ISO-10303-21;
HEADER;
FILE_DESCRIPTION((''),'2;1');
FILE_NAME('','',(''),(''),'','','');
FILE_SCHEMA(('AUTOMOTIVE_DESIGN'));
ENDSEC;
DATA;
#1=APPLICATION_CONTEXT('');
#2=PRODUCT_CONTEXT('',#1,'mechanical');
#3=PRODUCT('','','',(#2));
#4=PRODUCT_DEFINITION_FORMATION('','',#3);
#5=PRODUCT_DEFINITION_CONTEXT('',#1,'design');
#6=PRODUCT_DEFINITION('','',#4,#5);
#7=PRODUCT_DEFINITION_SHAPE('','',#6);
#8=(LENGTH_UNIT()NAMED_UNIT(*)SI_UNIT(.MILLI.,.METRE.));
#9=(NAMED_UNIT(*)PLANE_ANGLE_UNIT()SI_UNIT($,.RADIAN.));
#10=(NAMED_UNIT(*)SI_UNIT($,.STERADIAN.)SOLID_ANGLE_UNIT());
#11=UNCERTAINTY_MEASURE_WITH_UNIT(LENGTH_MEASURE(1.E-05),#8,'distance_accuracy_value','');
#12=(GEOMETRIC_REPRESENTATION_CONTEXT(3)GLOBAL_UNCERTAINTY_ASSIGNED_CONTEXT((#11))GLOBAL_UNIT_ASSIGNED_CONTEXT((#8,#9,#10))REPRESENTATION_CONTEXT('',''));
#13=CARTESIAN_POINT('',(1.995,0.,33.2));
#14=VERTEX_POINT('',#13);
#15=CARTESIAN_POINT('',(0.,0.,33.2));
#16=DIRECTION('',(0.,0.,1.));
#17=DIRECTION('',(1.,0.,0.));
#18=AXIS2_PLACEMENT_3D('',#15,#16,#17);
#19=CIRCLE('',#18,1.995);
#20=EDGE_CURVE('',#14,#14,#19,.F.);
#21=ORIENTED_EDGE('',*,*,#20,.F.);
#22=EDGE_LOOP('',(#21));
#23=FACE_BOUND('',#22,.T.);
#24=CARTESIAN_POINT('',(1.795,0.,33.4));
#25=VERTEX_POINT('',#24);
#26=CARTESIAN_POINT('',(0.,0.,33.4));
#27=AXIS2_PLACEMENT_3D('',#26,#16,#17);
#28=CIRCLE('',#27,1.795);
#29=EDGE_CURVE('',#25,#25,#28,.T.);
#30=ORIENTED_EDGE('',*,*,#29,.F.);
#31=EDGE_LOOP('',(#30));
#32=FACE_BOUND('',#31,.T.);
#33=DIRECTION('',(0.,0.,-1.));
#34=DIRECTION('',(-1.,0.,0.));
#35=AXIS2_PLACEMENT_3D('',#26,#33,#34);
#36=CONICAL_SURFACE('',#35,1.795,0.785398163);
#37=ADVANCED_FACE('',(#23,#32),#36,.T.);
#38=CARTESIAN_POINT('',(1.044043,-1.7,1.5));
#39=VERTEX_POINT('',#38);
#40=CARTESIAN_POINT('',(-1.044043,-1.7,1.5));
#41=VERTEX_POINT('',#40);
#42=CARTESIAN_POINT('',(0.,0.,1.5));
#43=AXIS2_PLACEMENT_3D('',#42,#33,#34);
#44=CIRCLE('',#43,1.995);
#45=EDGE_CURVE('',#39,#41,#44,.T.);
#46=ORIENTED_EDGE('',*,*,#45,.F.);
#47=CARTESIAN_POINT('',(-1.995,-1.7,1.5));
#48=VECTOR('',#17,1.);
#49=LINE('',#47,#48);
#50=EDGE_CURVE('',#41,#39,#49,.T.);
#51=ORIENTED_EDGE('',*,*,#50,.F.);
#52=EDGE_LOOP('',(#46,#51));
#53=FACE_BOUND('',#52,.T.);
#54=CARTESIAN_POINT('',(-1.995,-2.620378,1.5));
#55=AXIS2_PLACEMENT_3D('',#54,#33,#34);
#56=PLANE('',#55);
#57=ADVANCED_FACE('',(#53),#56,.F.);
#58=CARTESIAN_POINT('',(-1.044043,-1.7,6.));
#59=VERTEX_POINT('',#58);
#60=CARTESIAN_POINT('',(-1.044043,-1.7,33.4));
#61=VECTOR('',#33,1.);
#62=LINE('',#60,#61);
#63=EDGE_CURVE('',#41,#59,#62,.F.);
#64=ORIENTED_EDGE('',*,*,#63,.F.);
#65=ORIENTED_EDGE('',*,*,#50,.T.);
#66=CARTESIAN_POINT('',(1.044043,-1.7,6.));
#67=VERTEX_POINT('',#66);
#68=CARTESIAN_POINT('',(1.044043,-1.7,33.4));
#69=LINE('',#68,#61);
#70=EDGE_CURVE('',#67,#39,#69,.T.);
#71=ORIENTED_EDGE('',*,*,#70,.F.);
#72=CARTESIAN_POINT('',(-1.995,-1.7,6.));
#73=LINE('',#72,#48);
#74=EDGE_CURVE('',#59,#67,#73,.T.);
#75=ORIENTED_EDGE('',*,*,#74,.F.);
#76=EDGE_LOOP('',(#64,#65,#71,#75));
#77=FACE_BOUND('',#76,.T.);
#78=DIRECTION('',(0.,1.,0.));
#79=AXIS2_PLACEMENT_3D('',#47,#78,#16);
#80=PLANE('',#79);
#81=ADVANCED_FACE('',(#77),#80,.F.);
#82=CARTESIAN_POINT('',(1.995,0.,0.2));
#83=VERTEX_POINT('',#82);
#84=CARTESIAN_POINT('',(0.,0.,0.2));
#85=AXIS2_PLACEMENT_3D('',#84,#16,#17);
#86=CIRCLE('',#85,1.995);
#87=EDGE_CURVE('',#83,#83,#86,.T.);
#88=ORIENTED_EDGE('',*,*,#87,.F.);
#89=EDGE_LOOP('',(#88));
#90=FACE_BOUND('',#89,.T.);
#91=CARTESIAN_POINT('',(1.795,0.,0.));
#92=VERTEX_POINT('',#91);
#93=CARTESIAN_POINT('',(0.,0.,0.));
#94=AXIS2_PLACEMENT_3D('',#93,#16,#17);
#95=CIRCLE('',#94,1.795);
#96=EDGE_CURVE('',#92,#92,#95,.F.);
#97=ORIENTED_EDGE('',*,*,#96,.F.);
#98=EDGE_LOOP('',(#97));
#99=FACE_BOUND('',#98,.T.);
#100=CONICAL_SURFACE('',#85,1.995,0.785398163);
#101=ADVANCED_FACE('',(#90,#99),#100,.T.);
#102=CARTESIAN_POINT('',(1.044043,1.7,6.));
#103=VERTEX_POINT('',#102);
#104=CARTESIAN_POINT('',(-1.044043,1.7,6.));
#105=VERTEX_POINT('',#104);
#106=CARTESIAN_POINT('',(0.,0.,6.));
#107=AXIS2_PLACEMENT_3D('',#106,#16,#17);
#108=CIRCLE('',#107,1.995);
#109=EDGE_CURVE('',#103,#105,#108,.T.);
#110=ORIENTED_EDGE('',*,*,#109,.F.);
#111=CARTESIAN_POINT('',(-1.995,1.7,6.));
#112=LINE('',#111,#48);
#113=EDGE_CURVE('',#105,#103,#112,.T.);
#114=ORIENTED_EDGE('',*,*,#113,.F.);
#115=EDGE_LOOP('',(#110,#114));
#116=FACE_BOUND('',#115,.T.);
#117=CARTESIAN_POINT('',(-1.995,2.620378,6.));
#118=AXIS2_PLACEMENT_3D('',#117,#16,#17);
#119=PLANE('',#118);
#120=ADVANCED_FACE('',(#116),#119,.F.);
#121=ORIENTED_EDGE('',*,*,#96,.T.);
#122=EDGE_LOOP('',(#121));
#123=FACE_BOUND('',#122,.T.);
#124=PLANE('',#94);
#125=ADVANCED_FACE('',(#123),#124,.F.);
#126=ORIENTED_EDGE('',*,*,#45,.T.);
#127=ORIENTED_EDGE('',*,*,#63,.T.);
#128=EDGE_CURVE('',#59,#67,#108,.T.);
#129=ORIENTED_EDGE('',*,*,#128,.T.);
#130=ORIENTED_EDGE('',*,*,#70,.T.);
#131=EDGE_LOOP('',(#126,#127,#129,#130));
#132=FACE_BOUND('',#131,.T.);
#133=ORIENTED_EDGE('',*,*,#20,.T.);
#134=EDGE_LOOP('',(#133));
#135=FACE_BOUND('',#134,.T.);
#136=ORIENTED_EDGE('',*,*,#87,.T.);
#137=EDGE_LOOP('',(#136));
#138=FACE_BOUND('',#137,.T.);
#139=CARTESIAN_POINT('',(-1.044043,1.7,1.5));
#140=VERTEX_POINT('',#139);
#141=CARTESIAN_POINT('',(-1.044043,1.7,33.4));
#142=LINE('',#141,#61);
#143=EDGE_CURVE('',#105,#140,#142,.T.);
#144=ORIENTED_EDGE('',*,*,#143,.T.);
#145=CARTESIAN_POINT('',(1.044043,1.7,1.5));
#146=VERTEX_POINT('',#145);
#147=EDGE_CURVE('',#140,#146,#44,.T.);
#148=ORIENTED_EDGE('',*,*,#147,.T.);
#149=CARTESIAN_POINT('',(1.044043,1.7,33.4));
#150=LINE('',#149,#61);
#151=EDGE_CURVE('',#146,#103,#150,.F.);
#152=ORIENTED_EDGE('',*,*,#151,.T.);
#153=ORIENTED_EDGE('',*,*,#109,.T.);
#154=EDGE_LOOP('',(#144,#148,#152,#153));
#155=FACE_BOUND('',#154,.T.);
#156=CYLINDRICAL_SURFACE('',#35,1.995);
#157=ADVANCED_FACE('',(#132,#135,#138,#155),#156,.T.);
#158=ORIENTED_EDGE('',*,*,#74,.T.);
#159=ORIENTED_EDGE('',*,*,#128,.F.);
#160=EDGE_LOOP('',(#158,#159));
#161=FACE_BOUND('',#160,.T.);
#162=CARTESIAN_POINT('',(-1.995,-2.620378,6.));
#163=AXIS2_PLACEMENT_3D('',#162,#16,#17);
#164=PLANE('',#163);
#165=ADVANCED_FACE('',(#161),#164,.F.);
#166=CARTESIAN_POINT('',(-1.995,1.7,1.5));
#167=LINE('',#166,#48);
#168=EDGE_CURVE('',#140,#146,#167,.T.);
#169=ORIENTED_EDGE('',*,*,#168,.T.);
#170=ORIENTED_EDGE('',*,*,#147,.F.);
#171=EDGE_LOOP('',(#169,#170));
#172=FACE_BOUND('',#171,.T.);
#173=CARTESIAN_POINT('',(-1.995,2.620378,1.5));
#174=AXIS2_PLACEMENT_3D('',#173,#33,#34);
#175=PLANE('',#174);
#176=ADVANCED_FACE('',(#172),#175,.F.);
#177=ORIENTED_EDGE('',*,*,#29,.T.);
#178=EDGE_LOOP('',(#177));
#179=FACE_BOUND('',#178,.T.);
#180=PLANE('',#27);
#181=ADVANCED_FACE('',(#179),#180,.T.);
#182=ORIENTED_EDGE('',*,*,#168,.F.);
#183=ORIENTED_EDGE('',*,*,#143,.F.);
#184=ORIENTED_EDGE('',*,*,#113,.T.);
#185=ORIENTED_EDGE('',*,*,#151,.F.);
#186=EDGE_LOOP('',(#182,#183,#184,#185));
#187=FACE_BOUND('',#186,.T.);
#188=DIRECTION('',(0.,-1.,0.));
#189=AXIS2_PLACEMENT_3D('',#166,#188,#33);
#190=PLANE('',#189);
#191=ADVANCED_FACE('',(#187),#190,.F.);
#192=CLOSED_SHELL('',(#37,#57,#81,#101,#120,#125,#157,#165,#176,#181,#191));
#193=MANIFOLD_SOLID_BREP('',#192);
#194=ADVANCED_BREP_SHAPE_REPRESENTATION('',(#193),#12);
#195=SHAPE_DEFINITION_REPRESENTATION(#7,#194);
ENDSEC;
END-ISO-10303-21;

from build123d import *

# Parameters (mm, degrees)
SKETCH1_R               = 1.995
BOSS_EXTRUDE1_DEPTH     = 33.4
SKETCH2_W               = 4.5
SKETCH2_H               = 0.920377874
CUT_EXTRUDE1_DEPTH      = 2.995
CUT_EXTRUDE1_DEPTH_BACK = 2.995
CHAMFER1_SIZE           = 0.2


with BuildPart() as part:
    # Sketch1 → Boss-Extrude1 (new body)
    with BuildSketch(Plane.XY):
        Circle(SKETCH1_R)
    extrude(amount=BOSS_EXTRUDE1_DEPTH)

    # Sketch2 → Cut-Extrude1 (cut, two sides)
    with BuildSketch(Plane(origin=(0, 0, 0), x_dir=(0, 0, -1), z_dir=(1, 0, 0))) as cut_extrude1_sk:
        with Locations((-3.75, 2.160188937)):
            Rectangle(SKETCH2_W, SKETCH2_H)
        with Locations((-3.75, -2.160188937)):
            Rectangle(SKETCH2_W, SKETCH2_H)
    extrude(amount=CUT_EXTRUDE1_DEPTH, mode=Mode.SUBTRACT)
    extrude(cut_extrude1_sk.sketch, amount=-CUT_EXTRUDE1_DEPTH_BACK, mode=Mode.SUBTRACT)

    # Chamfer1
    chamfer1_edges = [part.edges().sort_by_distance(p)[0] for p in [
        (-1.995, 0, 0),
        (-1.995, 0, 33.4),
    ]]
    chamfer(chamfer1_edges, length=CHAMFER1_SIZE)


solid = part.part
